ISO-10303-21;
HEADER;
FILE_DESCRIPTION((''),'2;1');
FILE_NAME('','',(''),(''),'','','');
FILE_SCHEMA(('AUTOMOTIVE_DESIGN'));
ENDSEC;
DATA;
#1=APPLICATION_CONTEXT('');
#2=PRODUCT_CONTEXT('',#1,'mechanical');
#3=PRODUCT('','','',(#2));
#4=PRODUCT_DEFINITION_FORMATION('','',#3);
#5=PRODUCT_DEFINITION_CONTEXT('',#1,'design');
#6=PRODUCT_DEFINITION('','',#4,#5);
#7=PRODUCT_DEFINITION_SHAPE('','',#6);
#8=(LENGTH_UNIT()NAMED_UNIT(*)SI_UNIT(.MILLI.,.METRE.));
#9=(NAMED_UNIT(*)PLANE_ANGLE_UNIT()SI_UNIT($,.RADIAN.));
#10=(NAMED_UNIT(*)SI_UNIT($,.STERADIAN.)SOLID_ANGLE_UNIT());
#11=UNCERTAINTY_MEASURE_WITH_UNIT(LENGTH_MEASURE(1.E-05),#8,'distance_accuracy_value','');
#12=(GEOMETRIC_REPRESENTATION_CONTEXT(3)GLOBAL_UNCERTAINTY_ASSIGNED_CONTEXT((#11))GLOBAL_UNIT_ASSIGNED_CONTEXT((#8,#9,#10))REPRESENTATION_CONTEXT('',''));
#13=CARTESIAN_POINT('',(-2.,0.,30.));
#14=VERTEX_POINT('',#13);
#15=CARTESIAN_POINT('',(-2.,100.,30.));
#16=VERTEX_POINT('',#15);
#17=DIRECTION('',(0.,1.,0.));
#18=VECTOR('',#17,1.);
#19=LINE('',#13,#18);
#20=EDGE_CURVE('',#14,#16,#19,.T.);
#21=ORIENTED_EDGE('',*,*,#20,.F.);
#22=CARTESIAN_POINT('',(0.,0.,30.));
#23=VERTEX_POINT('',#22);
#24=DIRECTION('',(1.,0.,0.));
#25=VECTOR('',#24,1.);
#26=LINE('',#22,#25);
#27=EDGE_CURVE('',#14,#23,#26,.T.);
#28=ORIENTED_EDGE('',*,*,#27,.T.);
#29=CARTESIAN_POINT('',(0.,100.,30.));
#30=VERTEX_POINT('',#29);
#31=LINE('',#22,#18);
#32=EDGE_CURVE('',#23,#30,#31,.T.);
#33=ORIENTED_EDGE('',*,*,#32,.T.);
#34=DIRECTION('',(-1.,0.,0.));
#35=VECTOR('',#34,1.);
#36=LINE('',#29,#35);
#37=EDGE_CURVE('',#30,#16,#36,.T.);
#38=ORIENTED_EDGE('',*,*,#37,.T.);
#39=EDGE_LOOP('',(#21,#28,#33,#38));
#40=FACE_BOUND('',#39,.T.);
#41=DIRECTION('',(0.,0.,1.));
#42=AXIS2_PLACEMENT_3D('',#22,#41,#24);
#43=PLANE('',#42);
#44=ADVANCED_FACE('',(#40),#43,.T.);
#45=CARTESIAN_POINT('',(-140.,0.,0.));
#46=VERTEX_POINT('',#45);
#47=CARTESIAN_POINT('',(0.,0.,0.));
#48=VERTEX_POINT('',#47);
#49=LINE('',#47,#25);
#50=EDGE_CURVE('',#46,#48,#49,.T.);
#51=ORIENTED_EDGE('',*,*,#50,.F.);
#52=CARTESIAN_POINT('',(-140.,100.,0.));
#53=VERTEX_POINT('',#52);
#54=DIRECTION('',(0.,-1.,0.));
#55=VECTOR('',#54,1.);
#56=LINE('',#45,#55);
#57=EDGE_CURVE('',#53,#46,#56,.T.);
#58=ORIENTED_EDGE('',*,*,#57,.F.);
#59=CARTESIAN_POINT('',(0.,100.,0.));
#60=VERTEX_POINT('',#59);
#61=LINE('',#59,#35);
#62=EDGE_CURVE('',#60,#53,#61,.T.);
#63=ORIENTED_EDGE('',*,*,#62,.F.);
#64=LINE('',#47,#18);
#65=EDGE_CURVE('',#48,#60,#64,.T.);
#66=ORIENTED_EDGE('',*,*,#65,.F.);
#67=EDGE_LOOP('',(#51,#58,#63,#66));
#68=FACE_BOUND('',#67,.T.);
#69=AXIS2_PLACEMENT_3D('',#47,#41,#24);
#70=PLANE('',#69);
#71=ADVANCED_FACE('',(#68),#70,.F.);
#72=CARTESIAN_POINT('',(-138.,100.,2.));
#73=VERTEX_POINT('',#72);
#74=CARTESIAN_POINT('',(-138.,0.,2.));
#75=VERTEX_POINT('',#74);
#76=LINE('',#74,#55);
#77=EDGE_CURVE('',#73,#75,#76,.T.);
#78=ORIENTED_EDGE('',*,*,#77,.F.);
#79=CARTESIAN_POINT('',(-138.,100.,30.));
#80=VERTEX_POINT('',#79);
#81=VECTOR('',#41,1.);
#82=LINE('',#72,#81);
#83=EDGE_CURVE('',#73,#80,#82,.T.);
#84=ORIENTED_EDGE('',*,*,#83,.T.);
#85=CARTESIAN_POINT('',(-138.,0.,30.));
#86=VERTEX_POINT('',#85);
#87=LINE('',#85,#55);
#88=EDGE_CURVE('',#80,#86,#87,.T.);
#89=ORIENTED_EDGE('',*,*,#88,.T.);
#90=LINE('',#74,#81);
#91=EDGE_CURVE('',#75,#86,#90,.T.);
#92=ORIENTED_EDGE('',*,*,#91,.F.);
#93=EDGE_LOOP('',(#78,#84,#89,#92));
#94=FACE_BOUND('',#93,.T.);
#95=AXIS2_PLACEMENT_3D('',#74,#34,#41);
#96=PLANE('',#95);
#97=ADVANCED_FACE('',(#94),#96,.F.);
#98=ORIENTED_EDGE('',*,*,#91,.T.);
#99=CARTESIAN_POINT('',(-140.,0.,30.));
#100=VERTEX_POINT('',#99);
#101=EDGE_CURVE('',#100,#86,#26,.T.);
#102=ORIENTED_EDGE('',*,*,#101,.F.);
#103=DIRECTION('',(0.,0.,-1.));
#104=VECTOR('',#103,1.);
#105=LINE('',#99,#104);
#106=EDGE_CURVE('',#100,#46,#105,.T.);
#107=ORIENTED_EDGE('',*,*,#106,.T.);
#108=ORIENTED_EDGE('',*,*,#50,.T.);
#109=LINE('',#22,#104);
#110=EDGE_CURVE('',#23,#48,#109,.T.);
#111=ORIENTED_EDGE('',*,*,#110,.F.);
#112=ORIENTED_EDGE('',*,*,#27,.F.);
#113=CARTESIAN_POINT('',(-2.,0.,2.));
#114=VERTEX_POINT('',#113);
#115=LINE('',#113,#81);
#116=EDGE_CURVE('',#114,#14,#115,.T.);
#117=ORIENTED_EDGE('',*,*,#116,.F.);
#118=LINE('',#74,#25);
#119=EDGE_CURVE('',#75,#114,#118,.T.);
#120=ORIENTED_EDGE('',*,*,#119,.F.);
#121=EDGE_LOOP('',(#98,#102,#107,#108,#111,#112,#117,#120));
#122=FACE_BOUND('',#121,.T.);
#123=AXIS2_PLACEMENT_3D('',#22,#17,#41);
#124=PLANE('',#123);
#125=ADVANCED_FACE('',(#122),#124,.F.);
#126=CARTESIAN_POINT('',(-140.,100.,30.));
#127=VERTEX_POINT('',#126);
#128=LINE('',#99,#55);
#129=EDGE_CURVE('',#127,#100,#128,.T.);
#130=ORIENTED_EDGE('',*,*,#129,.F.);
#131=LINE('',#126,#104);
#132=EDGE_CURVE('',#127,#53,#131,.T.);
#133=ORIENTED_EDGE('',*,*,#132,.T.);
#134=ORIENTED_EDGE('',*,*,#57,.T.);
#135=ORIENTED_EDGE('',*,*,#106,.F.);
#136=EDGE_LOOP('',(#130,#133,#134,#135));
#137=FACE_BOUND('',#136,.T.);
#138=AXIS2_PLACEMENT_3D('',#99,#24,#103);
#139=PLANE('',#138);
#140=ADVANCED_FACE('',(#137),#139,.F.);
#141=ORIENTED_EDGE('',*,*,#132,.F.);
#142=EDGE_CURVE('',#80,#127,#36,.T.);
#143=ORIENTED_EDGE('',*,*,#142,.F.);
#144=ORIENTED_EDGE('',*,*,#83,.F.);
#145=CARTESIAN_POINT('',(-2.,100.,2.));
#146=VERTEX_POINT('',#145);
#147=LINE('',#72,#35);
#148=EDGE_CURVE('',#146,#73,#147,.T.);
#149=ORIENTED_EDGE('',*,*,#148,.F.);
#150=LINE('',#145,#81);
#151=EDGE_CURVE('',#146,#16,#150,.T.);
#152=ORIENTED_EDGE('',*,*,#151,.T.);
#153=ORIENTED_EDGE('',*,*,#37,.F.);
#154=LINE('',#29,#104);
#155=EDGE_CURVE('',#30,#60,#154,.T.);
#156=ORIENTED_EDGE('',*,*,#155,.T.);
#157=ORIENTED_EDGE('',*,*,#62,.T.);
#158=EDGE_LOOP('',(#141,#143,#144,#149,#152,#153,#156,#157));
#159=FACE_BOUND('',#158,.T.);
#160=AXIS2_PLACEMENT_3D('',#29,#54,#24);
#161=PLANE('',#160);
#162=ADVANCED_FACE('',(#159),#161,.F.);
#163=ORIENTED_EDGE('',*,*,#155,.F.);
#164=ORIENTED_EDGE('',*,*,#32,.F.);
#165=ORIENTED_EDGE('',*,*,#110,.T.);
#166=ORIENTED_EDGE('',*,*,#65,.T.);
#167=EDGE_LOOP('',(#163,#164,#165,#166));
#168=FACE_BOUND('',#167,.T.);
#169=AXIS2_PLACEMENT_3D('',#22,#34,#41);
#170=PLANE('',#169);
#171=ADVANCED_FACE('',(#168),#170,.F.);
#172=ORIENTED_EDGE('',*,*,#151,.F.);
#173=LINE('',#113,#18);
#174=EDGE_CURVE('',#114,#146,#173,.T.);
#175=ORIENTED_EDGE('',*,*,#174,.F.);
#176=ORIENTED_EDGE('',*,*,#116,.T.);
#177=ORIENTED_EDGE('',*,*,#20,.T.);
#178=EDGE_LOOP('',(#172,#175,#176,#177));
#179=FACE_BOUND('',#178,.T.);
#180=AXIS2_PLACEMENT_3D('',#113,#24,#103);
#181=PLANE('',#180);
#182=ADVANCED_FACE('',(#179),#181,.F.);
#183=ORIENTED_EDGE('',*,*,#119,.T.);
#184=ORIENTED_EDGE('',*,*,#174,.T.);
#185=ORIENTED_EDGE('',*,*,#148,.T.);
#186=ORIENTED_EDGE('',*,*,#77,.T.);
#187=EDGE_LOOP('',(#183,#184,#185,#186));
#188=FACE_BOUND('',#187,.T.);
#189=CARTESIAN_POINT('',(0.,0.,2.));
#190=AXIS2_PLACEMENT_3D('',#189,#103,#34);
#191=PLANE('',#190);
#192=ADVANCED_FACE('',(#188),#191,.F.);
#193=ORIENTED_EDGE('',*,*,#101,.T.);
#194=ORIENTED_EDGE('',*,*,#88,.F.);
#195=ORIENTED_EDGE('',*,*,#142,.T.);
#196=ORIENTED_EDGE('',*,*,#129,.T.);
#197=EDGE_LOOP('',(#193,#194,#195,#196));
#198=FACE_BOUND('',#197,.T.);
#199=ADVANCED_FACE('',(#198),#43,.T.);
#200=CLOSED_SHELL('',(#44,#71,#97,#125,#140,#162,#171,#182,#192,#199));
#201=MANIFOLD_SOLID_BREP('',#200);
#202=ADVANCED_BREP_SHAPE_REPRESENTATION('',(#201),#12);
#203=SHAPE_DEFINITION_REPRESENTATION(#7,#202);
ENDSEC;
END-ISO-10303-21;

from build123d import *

# Parameters (mm, degrees)
SKETCH_1_W          = 140
SKETCH_1_H          = 100
EXTRUDE_1_DEPTH     = 30
SKETCH_2_W          = 136
SKETCH_2_H          = 100
CUT_EXTRUDE_1_DEPTH = 28


with BuildPart() as part:
    # 草圖1 → 填料-伸長1 (new body)
    with BuildSketch(Plane.XY):
        with Locations((-70, 50)):
            Rectangle(SKETCH_1_W, SKETCH_1_H)
    extrude(amount=EXTRUDE_1_DEPTH)

    # 草圖2 → 除料-伸長1 (cut)
    with BuildSketch(Plane.XY.offset(30)):
        with Locations((-70, 50)):
            Rectangle(SKETCH_2_W, SKETCH_2_H)
    extrude(amount=-CUT_EXTRUDE_1_DEPTH, mode=Mode.SUBTRACT)


solid = part.part
